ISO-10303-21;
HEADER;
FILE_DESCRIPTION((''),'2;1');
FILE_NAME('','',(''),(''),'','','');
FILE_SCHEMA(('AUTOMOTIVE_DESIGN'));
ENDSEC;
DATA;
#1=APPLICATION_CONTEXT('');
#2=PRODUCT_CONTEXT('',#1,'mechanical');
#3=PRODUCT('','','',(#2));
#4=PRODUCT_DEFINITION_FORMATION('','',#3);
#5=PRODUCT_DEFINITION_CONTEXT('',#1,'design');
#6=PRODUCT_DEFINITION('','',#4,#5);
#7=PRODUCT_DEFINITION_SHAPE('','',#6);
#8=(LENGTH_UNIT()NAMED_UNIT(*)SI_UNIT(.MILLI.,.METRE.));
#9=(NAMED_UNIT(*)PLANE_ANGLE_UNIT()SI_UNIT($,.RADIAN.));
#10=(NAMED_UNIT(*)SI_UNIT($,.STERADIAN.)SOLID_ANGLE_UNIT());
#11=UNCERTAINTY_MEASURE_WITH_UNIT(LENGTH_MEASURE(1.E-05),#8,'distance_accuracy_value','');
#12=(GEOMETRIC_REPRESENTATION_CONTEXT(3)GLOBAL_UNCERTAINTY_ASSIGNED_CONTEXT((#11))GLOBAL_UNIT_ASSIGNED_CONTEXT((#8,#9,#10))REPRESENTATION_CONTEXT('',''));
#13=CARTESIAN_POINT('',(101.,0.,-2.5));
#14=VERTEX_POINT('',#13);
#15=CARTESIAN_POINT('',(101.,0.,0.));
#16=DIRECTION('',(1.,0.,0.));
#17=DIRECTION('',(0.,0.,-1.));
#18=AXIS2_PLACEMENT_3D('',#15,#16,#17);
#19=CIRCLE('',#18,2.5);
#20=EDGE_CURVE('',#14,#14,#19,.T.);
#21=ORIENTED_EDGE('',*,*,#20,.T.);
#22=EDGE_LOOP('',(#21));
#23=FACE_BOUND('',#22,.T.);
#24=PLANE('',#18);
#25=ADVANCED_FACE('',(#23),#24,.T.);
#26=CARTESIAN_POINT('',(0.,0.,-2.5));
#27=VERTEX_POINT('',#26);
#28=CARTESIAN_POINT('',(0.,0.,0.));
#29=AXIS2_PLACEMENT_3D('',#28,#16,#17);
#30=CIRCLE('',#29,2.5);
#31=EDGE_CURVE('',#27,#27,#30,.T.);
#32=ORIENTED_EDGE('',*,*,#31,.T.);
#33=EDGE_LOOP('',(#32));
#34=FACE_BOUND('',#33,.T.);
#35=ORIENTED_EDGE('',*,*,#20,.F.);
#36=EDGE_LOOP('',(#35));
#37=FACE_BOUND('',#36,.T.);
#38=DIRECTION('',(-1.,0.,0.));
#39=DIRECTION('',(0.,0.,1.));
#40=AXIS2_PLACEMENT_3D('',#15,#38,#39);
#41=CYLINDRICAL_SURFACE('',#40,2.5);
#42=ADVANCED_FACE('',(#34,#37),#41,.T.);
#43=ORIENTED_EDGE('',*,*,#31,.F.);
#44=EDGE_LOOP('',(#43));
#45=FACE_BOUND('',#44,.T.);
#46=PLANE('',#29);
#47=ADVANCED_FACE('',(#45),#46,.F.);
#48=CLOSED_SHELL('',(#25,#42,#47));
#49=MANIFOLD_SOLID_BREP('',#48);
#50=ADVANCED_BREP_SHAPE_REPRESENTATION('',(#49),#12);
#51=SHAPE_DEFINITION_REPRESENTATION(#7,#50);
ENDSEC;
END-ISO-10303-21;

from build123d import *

# Parameters (mm, degrees)
ESQUISSE1_R        = 2.5
BOSS_EXTRU_1_DEPTH = 101


with BuildPart() as part:
    # Esquisse1 → Boss.-Extru.1 (new body)
    with BuildSketch(Plane(origin=(0, 0, 0), x_dir=(0, 0, -1), z_dir=(1, 0, 0))):
        Circle(ESQUISSE1_R)
    extrude(amount=BOSS_EXTRU_1_DEPTH)


solid = part.part
